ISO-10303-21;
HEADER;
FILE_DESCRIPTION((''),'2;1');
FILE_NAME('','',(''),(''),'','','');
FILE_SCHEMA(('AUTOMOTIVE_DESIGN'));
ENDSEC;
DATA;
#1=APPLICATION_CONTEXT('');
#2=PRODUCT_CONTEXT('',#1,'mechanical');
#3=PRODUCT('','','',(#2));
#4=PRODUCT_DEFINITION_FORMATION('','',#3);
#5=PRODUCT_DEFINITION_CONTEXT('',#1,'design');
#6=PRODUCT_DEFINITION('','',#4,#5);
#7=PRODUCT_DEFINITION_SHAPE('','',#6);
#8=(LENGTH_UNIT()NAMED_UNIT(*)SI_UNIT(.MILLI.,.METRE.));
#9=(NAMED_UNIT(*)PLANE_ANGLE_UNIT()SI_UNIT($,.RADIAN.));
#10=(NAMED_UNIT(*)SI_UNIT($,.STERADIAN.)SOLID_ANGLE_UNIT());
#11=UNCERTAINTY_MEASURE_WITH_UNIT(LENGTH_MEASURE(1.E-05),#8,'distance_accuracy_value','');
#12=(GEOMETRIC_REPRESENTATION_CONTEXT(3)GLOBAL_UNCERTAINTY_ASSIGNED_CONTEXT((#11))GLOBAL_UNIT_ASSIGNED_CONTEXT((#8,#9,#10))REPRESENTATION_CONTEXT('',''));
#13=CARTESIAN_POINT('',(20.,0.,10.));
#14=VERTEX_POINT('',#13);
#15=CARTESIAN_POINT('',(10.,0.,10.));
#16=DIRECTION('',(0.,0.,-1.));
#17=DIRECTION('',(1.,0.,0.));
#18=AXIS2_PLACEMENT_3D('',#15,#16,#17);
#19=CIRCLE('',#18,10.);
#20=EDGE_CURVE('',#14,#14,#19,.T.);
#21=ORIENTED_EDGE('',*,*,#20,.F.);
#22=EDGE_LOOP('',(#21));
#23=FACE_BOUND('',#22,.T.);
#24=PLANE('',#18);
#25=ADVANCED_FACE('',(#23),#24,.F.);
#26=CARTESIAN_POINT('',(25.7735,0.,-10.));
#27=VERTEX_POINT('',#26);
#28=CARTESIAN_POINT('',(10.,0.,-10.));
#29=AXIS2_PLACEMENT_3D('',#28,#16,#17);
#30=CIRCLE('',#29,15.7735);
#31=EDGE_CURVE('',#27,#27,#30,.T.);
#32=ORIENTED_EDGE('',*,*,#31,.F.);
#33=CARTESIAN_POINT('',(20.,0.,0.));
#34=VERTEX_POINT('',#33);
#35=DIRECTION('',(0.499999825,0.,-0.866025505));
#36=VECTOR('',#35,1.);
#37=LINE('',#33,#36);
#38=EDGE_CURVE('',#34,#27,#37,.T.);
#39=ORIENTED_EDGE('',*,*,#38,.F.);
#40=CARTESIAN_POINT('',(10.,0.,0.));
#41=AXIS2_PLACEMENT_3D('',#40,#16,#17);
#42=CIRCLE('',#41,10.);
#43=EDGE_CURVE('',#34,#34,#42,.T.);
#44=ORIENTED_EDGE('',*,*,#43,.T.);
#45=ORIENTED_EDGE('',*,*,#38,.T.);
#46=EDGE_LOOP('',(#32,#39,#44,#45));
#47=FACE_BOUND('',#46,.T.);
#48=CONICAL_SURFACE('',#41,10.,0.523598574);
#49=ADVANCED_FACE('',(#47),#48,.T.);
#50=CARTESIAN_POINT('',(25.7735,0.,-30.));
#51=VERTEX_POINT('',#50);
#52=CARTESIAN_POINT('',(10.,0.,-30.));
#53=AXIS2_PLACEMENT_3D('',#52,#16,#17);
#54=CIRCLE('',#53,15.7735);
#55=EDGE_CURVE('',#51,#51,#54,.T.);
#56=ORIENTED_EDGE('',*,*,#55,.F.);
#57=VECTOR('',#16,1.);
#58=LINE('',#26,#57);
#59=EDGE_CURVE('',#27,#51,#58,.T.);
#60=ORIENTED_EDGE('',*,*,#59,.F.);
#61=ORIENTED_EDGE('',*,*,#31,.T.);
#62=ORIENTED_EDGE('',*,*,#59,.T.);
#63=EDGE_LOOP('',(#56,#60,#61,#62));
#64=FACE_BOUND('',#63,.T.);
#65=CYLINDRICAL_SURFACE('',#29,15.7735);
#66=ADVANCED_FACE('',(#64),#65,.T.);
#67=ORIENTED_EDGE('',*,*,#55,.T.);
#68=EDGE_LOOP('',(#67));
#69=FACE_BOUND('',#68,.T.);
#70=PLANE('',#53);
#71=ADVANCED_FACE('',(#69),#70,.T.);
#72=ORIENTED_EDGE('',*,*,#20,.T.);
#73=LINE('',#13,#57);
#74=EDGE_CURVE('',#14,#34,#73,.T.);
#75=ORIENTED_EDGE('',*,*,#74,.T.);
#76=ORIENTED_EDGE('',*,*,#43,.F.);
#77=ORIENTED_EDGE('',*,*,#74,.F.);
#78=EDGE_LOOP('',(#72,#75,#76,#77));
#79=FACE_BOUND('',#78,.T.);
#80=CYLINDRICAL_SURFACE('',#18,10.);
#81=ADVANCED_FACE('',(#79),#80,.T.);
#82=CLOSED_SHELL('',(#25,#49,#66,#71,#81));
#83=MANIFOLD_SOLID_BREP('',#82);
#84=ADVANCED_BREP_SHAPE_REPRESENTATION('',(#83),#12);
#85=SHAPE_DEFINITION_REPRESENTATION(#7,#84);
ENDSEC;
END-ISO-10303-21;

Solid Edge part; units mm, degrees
sketch "Sketch1" plane through (0, 0, 0) normal (0, -1, 0) x (1, 0, 0)
  line L0 (10, 10) -> (20, 10)
  line L1 (20, 10) -> (20, 0)
  line L2 (20, 0) -> (25.7735, -10)
  line L3 (25.7735, -10) -> (25.7735, -30)
  line L4 (25.7735, -30) -> (10, -30)
  line L5 (10, 10) -> (10, -30)
revolve "RevolvedProtrusion1" add sketch "Sketch1" angle 360 about axis through (10, 0, 10) along (0, 0, -1)
